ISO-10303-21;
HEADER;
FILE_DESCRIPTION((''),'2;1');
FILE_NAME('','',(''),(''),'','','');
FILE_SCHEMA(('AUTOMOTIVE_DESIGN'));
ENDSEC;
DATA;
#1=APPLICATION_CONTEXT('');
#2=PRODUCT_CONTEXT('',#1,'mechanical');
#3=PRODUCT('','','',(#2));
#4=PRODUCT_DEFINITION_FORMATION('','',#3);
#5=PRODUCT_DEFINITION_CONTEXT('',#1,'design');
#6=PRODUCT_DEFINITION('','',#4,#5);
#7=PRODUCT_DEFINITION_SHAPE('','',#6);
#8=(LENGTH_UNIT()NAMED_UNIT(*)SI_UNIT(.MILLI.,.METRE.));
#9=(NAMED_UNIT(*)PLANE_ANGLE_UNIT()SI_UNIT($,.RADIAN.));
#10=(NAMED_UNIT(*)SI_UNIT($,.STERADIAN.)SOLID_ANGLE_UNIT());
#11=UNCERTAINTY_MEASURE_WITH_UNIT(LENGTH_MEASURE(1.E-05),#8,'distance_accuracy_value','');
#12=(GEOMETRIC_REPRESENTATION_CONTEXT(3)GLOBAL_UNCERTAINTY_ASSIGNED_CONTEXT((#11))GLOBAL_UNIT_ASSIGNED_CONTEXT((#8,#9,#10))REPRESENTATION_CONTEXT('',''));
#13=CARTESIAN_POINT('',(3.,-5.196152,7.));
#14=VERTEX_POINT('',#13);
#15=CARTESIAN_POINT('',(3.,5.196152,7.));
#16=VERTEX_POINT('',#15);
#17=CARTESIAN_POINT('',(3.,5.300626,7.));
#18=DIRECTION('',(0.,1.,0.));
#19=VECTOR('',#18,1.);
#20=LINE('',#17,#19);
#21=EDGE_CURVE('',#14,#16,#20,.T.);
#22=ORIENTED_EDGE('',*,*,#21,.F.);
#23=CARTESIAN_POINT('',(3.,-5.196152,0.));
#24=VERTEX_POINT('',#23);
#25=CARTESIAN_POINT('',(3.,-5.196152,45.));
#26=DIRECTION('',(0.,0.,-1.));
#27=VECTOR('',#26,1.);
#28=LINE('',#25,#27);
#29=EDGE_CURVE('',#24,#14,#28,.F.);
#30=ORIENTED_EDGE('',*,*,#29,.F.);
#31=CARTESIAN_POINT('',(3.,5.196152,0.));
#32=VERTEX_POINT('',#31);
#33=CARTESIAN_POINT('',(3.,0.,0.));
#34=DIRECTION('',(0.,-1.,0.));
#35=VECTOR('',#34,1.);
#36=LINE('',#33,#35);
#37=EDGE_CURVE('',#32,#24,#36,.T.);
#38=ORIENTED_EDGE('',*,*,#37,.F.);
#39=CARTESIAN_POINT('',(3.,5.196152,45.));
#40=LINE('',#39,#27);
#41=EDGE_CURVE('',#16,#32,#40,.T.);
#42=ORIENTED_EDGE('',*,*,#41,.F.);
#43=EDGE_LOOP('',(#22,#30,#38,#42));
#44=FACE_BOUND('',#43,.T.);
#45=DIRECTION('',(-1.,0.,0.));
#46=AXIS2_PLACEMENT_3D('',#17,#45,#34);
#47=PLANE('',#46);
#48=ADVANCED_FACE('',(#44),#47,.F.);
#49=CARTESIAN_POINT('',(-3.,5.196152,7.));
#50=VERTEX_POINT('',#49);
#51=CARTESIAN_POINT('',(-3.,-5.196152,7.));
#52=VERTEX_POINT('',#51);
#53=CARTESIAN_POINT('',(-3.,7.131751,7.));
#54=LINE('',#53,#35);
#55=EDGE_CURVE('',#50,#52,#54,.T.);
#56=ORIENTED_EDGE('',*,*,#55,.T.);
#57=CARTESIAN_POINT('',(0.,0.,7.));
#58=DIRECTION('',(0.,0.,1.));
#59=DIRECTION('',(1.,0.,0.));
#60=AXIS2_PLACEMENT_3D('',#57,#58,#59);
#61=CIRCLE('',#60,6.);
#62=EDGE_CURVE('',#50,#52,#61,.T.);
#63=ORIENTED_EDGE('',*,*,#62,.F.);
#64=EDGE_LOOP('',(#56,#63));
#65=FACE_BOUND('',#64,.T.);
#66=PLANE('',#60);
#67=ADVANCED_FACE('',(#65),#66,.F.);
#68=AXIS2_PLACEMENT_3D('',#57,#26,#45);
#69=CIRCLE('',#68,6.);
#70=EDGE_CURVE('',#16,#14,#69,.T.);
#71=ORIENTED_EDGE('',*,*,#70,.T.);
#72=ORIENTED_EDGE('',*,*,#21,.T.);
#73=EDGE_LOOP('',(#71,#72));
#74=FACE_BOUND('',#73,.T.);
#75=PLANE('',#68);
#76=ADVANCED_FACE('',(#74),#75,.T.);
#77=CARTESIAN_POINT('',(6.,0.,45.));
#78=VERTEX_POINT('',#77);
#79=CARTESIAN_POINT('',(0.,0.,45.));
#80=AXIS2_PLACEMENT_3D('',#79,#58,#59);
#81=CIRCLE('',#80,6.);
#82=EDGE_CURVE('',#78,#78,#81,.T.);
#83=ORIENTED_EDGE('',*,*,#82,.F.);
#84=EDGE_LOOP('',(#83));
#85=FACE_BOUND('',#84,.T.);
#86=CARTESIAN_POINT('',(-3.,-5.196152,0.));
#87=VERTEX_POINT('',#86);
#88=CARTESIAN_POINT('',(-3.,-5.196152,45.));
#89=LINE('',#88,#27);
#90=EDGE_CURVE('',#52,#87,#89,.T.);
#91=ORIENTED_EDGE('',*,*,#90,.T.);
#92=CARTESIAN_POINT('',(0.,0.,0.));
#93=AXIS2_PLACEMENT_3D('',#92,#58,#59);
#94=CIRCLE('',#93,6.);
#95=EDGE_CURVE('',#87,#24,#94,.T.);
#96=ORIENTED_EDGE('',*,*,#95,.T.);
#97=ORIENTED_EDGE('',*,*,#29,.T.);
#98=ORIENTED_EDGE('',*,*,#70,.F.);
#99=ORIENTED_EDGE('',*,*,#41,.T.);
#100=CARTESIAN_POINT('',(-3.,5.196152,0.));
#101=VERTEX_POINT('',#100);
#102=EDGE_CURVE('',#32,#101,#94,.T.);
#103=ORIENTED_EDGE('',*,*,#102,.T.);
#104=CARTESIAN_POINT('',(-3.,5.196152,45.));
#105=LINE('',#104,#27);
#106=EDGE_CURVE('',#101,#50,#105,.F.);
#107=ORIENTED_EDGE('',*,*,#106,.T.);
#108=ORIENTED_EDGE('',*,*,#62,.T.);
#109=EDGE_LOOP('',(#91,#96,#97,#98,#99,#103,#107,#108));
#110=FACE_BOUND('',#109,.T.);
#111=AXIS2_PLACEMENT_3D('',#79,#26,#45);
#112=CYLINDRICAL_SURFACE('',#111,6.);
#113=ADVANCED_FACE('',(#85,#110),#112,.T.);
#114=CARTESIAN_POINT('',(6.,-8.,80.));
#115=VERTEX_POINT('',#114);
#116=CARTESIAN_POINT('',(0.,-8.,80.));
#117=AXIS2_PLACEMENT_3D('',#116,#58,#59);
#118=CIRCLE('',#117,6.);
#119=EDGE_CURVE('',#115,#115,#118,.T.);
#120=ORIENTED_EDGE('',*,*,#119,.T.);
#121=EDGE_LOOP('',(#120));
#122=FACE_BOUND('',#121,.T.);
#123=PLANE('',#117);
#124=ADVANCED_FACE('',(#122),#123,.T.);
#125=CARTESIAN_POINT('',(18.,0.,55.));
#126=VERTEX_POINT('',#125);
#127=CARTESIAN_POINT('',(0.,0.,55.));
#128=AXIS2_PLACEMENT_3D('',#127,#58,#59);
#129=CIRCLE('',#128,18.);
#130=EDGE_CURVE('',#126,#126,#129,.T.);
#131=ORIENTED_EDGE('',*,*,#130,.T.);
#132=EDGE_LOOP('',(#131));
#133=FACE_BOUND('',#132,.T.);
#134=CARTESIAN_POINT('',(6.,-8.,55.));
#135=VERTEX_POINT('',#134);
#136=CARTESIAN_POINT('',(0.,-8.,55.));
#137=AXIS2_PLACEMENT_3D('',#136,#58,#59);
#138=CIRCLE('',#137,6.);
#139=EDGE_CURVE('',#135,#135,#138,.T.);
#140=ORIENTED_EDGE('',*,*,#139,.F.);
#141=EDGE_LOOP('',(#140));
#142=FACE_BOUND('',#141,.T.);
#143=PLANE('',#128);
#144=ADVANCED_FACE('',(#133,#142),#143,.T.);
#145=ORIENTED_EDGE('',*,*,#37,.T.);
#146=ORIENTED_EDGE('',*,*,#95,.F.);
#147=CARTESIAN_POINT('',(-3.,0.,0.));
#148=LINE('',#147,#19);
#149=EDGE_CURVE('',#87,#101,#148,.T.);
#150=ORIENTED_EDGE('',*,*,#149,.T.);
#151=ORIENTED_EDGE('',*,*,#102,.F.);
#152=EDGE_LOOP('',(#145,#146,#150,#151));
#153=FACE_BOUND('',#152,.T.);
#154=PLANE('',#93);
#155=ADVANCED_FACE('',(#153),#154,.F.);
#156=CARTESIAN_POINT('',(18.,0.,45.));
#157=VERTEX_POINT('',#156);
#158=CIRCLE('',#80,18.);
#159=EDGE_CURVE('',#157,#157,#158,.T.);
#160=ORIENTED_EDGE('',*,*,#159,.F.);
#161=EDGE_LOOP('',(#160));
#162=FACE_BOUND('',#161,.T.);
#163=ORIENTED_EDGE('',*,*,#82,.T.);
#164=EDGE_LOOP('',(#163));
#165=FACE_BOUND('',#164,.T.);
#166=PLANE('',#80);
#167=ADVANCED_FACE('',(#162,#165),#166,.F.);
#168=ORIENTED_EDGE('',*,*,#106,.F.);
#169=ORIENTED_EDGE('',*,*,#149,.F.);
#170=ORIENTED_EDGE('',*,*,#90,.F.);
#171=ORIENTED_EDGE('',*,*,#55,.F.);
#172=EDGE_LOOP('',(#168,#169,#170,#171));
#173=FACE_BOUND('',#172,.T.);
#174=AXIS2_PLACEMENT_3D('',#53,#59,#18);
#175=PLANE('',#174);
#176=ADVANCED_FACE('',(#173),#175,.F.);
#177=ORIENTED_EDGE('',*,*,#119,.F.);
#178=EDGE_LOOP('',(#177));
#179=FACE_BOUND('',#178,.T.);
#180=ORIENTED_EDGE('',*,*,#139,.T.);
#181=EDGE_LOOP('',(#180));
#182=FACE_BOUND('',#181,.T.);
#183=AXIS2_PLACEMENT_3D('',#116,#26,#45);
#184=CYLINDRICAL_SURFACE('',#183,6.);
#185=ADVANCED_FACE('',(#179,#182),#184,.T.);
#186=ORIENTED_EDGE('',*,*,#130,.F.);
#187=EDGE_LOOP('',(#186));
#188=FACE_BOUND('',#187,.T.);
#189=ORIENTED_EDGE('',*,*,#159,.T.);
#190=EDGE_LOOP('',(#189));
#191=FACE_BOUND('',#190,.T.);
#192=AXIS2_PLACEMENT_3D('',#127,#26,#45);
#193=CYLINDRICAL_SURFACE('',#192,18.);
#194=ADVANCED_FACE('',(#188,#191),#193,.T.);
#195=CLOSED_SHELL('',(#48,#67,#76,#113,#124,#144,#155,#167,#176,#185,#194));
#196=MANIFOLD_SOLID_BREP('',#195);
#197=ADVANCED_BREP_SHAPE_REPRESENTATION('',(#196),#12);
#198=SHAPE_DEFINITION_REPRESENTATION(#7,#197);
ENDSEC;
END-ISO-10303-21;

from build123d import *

# Parameters (mm, degrees)
ESBO_O1_R                = 6
RESSALTO_EXTRUS_O1_DEPTH = 45
ESBO_O2_R                = 18
RESSALTO_EXTRUS_O2_DEPTH = 10
ESBO_O3_R                = 6
RESSALTO_EXTRUS_O3_DEPTH = 25
ESBO_O4_W                = 4.529625907
ESBO_O4_H                = 11.468627296
ESBO_O4_W_2              = 6.059251814
ESBO_O4_H_2              = 15.612753126
CORTE_EXTRUS_O1_DEPTH    = 7


with BuildPart() as part:
    # Esboço1 → Ressalto-extrusão1 (new body)
    with BuildSketch(Plane.XY):
        with Locations(Location((0, 0, 0), (0, 0, 180))):
            Circle(ESBO_O1_R)
    extrude(amount=RESSALTO_EXTRUS_O1_DEPTH)

    # Esboço2 → Ressalto-extrusão2 (add)
    with BuildSketch(Plane.XY.offset(45)):
        Circle(ESBO_O2_R)
    extrude(amount=RESSALTO_EXTRUS_O2_DEPTH)

    # Esboço3 → Ressalto-extrusão3 (add)
    with BuildSketch(Plane.XY.offset(55)):
        with Locations((0, -8)):
            Circle(ESBO_O3_R)
    extrude(amount=RESSALTO_EXTRUS_O3_DEPTH)

    # Esboço4 → Corte-extrusão1 (cut)
    with BuildSketch(Plane(origin=(0, 0, 0), x_dir=(-1, 0, 0), z_dir=(0, 0, -1))):
        with Locations((-5.264812953, -0.433687587)):
            Rectangle(ESBO_O4_W, ESBO_O4_H)
        with Locations((6.029625907, -0.674625135)):
            Rectangle(ESBO_O4_W_2, ESBO_O4_H_2)
    extrude(amount=-CORTE_EXTRUS_O1_DEPTH, mode=Mode.SUBTRACT)


solid = part.part
